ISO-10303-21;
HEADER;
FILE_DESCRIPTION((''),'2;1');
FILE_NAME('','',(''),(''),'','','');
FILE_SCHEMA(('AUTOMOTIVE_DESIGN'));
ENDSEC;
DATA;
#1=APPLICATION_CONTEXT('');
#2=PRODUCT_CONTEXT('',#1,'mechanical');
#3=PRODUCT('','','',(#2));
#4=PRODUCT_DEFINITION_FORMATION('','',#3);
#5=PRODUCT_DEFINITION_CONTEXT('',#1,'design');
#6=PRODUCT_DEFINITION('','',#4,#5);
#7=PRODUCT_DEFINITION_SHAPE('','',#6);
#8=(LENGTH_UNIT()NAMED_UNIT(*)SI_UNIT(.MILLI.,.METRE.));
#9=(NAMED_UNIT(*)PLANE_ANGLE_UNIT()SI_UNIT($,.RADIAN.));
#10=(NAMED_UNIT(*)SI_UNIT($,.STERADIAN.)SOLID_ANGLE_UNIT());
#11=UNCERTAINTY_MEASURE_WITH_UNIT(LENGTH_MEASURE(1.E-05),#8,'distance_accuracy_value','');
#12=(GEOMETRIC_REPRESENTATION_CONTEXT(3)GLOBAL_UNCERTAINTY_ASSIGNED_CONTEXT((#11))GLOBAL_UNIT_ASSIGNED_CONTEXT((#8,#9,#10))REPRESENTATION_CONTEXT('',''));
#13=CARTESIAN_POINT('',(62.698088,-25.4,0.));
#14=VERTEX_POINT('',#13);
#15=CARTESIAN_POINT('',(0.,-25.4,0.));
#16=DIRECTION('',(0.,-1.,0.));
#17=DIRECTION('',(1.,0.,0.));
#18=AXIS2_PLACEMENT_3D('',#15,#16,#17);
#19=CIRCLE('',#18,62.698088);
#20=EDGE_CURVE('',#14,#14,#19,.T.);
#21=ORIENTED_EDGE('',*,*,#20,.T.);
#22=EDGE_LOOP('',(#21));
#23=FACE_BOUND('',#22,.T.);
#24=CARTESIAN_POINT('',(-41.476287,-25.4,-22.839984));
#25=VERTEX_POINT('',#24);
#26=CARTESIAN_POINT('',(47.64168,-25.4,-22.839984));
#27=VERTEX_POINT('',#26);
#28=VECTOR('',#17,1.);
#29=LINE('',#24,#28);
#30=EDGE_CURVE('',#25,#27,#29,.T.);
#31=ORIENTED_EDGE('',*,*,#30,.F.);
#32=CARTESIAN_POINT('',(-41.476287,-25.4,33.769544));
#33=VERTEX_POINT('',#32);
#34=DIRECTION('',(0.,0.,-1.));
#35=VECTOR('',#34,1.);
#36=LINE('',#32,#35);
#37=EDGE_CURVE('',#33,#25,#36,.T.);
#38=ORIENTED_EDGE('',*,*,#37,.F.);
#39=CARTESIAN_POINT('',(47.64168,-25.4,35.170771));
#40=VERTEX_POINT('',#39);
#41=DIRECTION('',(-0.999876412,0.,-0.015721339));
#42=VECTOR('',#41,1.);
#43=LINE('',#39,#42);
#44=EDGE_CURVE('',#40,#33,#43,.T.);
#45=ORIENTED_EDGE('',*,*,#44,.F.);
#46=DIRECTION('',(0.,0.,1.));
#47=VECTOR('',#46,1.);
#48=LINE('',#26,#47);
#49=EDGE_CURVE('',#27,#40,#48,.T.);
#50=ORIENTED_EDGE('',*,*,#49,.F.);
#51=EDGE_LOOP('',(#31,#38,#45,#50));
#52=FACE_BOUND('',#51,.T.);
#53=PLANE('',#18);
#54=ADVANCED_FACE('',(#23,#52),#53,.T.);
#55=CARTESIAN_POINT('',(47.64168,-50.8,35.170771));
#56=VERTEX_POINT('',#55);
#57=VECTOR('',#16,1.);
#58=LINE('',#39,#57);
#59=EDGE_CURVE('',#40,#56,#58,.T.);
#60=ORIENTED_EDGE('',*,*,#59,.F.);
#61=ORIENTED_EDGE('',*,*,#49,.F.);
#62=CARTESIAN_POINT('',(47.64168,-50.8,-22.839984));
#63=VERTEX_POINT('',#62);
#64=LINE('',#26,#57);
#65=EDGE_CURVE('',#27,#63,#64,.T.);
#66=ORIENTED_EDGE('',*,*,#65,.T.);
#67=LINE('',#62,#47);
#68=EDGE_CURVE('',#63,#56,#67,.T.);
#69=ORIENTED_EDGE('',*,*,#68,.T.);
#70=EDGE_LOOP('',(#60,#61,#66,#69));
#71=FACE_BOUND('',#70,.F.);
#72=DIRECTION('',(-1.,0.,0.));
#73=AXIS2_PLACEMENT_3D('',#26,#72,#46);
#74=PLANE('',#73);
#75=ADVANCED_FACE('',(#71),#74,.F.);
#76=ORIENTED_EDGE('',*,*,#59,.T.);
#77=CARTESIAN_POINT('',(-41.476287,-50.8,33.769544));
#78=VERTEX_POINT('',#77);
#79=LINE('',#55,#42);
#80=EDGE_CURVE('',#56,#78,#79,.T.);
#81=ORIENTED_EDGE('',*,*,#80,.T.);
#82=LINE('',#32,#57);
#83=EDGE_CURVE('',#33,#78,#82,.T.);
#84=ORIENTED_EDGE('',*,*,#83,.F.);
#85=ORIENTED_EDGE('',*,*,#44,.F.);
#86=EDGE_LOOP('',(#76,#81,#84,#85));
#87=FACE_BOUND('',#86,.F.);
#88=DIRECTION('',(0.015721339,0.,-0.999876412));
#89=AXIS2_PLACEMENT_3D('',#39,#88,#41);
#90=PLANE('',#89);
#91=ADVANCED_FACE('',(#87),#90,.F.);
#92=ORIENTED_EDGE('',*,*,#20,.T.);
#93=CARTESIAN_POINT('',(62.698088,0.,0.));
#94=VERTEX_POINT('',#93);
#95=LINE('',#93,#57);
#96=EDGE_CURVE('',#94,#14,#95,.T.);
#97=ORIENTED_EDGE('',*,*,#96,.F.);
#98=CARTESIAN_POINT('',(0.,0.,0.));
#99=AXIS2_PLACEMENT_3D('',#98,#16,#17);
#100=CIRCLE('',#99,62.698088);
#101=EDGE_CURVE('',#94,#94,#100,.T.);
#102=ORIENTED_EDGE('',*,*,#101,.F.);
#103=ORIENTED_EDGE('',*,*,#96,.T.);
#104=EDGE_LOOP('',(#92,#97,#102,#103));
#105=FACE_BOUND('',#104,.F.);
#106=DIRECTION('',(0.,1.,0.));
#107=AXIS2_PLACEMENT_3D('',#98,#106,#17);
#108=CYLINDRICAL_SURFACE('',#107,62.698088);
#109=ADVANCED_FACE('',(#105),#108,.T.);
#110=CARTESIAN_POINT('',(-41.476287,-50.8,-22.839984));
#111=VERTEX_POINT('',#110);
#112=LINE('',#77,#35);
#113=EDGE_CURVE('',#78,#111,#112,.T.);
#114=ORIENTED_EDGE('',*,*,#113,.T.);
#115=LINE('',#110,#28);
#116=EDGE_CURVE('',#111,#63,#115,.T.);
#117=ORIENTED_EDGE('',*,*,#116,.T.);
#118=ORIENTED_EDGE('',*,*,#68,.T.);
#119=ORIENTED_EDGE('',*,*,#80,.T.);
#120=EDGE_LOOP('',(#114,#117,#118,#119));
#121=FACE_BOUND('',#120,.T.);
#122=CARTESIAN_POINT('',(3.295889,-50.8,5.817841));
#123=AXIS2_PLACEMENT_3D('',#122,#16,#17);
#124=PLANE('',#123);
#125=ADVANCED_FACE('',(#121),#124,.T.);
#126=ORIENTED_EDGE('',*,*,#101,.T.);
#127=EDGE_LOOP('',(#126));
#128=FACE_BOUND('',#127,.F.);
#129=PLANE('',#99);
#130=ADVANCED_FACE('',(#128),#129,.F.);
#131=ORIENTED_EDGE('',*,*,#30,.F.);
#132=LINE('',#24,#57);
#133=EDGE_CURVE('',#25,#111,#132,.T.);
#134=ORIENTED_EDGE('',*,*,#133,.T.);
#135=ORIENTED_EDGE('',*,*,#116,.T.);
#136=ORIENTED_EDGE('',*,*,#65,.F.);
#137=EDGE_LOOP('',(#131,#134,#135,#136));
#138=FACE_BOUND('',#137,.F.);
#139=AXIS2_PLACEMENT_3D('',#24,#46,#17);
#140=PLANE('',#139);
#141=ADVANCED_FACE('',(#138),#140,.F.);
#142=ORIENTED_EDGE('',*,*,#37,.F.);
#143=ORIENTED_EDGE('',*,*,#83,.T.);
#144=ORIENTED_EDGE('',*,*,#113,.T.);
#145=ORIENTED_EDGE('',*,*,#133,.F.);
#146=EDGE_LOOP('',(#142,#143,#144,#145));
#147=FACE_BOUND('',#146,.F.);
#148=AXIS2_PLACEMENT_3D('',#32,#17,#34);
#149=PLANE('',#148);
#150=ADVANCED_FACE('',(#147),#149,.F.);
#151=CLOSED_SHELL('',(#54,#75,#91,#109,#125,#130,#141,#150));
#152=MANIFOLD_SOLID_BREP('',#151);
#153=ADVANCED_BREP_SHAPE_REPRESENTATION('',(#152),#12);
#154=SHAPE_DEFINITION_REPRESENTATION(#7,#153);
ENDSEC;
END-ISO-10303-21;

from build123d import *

# Parameters (mm, degrees)
F1_DEPTH = 0.0254
F3_R     = 62.6980879208
F4_DEPTH = 25.4
F6_DEPTH = 25.4


with BuildPart() as f1:
    # F0 (on Front) → F1 (new body)
    with BuildSketch(Plane.XZ):
        Polygon((47.9219257832, 17.5153240561), (-52.4058490992, 55.9089146554), (-52.4058490992, -55.068179965), align=None)
    extrude(amount=F1_DEPTH)


with BuildPart() as f4:
    # F3 (on Front) → F4 (new body)
    with BuildSketch(Plane.XZ):
        Circle(F3_R)
    extrude(amount=F4_DEPTH)

    # F5 (on face) → F6 (join)
    with BuildSketch(Plane.XZ.offset(25.4)):
        Polygon((47.6416796446, 35.1707711816), (-41.4762869477, 33.769544214), (-41.4762869477, -22.8399839252), (47.6416796446, -22.8399839252), align=None)
    extrude(amount=F6_DEPTH)


solid = f4.part
